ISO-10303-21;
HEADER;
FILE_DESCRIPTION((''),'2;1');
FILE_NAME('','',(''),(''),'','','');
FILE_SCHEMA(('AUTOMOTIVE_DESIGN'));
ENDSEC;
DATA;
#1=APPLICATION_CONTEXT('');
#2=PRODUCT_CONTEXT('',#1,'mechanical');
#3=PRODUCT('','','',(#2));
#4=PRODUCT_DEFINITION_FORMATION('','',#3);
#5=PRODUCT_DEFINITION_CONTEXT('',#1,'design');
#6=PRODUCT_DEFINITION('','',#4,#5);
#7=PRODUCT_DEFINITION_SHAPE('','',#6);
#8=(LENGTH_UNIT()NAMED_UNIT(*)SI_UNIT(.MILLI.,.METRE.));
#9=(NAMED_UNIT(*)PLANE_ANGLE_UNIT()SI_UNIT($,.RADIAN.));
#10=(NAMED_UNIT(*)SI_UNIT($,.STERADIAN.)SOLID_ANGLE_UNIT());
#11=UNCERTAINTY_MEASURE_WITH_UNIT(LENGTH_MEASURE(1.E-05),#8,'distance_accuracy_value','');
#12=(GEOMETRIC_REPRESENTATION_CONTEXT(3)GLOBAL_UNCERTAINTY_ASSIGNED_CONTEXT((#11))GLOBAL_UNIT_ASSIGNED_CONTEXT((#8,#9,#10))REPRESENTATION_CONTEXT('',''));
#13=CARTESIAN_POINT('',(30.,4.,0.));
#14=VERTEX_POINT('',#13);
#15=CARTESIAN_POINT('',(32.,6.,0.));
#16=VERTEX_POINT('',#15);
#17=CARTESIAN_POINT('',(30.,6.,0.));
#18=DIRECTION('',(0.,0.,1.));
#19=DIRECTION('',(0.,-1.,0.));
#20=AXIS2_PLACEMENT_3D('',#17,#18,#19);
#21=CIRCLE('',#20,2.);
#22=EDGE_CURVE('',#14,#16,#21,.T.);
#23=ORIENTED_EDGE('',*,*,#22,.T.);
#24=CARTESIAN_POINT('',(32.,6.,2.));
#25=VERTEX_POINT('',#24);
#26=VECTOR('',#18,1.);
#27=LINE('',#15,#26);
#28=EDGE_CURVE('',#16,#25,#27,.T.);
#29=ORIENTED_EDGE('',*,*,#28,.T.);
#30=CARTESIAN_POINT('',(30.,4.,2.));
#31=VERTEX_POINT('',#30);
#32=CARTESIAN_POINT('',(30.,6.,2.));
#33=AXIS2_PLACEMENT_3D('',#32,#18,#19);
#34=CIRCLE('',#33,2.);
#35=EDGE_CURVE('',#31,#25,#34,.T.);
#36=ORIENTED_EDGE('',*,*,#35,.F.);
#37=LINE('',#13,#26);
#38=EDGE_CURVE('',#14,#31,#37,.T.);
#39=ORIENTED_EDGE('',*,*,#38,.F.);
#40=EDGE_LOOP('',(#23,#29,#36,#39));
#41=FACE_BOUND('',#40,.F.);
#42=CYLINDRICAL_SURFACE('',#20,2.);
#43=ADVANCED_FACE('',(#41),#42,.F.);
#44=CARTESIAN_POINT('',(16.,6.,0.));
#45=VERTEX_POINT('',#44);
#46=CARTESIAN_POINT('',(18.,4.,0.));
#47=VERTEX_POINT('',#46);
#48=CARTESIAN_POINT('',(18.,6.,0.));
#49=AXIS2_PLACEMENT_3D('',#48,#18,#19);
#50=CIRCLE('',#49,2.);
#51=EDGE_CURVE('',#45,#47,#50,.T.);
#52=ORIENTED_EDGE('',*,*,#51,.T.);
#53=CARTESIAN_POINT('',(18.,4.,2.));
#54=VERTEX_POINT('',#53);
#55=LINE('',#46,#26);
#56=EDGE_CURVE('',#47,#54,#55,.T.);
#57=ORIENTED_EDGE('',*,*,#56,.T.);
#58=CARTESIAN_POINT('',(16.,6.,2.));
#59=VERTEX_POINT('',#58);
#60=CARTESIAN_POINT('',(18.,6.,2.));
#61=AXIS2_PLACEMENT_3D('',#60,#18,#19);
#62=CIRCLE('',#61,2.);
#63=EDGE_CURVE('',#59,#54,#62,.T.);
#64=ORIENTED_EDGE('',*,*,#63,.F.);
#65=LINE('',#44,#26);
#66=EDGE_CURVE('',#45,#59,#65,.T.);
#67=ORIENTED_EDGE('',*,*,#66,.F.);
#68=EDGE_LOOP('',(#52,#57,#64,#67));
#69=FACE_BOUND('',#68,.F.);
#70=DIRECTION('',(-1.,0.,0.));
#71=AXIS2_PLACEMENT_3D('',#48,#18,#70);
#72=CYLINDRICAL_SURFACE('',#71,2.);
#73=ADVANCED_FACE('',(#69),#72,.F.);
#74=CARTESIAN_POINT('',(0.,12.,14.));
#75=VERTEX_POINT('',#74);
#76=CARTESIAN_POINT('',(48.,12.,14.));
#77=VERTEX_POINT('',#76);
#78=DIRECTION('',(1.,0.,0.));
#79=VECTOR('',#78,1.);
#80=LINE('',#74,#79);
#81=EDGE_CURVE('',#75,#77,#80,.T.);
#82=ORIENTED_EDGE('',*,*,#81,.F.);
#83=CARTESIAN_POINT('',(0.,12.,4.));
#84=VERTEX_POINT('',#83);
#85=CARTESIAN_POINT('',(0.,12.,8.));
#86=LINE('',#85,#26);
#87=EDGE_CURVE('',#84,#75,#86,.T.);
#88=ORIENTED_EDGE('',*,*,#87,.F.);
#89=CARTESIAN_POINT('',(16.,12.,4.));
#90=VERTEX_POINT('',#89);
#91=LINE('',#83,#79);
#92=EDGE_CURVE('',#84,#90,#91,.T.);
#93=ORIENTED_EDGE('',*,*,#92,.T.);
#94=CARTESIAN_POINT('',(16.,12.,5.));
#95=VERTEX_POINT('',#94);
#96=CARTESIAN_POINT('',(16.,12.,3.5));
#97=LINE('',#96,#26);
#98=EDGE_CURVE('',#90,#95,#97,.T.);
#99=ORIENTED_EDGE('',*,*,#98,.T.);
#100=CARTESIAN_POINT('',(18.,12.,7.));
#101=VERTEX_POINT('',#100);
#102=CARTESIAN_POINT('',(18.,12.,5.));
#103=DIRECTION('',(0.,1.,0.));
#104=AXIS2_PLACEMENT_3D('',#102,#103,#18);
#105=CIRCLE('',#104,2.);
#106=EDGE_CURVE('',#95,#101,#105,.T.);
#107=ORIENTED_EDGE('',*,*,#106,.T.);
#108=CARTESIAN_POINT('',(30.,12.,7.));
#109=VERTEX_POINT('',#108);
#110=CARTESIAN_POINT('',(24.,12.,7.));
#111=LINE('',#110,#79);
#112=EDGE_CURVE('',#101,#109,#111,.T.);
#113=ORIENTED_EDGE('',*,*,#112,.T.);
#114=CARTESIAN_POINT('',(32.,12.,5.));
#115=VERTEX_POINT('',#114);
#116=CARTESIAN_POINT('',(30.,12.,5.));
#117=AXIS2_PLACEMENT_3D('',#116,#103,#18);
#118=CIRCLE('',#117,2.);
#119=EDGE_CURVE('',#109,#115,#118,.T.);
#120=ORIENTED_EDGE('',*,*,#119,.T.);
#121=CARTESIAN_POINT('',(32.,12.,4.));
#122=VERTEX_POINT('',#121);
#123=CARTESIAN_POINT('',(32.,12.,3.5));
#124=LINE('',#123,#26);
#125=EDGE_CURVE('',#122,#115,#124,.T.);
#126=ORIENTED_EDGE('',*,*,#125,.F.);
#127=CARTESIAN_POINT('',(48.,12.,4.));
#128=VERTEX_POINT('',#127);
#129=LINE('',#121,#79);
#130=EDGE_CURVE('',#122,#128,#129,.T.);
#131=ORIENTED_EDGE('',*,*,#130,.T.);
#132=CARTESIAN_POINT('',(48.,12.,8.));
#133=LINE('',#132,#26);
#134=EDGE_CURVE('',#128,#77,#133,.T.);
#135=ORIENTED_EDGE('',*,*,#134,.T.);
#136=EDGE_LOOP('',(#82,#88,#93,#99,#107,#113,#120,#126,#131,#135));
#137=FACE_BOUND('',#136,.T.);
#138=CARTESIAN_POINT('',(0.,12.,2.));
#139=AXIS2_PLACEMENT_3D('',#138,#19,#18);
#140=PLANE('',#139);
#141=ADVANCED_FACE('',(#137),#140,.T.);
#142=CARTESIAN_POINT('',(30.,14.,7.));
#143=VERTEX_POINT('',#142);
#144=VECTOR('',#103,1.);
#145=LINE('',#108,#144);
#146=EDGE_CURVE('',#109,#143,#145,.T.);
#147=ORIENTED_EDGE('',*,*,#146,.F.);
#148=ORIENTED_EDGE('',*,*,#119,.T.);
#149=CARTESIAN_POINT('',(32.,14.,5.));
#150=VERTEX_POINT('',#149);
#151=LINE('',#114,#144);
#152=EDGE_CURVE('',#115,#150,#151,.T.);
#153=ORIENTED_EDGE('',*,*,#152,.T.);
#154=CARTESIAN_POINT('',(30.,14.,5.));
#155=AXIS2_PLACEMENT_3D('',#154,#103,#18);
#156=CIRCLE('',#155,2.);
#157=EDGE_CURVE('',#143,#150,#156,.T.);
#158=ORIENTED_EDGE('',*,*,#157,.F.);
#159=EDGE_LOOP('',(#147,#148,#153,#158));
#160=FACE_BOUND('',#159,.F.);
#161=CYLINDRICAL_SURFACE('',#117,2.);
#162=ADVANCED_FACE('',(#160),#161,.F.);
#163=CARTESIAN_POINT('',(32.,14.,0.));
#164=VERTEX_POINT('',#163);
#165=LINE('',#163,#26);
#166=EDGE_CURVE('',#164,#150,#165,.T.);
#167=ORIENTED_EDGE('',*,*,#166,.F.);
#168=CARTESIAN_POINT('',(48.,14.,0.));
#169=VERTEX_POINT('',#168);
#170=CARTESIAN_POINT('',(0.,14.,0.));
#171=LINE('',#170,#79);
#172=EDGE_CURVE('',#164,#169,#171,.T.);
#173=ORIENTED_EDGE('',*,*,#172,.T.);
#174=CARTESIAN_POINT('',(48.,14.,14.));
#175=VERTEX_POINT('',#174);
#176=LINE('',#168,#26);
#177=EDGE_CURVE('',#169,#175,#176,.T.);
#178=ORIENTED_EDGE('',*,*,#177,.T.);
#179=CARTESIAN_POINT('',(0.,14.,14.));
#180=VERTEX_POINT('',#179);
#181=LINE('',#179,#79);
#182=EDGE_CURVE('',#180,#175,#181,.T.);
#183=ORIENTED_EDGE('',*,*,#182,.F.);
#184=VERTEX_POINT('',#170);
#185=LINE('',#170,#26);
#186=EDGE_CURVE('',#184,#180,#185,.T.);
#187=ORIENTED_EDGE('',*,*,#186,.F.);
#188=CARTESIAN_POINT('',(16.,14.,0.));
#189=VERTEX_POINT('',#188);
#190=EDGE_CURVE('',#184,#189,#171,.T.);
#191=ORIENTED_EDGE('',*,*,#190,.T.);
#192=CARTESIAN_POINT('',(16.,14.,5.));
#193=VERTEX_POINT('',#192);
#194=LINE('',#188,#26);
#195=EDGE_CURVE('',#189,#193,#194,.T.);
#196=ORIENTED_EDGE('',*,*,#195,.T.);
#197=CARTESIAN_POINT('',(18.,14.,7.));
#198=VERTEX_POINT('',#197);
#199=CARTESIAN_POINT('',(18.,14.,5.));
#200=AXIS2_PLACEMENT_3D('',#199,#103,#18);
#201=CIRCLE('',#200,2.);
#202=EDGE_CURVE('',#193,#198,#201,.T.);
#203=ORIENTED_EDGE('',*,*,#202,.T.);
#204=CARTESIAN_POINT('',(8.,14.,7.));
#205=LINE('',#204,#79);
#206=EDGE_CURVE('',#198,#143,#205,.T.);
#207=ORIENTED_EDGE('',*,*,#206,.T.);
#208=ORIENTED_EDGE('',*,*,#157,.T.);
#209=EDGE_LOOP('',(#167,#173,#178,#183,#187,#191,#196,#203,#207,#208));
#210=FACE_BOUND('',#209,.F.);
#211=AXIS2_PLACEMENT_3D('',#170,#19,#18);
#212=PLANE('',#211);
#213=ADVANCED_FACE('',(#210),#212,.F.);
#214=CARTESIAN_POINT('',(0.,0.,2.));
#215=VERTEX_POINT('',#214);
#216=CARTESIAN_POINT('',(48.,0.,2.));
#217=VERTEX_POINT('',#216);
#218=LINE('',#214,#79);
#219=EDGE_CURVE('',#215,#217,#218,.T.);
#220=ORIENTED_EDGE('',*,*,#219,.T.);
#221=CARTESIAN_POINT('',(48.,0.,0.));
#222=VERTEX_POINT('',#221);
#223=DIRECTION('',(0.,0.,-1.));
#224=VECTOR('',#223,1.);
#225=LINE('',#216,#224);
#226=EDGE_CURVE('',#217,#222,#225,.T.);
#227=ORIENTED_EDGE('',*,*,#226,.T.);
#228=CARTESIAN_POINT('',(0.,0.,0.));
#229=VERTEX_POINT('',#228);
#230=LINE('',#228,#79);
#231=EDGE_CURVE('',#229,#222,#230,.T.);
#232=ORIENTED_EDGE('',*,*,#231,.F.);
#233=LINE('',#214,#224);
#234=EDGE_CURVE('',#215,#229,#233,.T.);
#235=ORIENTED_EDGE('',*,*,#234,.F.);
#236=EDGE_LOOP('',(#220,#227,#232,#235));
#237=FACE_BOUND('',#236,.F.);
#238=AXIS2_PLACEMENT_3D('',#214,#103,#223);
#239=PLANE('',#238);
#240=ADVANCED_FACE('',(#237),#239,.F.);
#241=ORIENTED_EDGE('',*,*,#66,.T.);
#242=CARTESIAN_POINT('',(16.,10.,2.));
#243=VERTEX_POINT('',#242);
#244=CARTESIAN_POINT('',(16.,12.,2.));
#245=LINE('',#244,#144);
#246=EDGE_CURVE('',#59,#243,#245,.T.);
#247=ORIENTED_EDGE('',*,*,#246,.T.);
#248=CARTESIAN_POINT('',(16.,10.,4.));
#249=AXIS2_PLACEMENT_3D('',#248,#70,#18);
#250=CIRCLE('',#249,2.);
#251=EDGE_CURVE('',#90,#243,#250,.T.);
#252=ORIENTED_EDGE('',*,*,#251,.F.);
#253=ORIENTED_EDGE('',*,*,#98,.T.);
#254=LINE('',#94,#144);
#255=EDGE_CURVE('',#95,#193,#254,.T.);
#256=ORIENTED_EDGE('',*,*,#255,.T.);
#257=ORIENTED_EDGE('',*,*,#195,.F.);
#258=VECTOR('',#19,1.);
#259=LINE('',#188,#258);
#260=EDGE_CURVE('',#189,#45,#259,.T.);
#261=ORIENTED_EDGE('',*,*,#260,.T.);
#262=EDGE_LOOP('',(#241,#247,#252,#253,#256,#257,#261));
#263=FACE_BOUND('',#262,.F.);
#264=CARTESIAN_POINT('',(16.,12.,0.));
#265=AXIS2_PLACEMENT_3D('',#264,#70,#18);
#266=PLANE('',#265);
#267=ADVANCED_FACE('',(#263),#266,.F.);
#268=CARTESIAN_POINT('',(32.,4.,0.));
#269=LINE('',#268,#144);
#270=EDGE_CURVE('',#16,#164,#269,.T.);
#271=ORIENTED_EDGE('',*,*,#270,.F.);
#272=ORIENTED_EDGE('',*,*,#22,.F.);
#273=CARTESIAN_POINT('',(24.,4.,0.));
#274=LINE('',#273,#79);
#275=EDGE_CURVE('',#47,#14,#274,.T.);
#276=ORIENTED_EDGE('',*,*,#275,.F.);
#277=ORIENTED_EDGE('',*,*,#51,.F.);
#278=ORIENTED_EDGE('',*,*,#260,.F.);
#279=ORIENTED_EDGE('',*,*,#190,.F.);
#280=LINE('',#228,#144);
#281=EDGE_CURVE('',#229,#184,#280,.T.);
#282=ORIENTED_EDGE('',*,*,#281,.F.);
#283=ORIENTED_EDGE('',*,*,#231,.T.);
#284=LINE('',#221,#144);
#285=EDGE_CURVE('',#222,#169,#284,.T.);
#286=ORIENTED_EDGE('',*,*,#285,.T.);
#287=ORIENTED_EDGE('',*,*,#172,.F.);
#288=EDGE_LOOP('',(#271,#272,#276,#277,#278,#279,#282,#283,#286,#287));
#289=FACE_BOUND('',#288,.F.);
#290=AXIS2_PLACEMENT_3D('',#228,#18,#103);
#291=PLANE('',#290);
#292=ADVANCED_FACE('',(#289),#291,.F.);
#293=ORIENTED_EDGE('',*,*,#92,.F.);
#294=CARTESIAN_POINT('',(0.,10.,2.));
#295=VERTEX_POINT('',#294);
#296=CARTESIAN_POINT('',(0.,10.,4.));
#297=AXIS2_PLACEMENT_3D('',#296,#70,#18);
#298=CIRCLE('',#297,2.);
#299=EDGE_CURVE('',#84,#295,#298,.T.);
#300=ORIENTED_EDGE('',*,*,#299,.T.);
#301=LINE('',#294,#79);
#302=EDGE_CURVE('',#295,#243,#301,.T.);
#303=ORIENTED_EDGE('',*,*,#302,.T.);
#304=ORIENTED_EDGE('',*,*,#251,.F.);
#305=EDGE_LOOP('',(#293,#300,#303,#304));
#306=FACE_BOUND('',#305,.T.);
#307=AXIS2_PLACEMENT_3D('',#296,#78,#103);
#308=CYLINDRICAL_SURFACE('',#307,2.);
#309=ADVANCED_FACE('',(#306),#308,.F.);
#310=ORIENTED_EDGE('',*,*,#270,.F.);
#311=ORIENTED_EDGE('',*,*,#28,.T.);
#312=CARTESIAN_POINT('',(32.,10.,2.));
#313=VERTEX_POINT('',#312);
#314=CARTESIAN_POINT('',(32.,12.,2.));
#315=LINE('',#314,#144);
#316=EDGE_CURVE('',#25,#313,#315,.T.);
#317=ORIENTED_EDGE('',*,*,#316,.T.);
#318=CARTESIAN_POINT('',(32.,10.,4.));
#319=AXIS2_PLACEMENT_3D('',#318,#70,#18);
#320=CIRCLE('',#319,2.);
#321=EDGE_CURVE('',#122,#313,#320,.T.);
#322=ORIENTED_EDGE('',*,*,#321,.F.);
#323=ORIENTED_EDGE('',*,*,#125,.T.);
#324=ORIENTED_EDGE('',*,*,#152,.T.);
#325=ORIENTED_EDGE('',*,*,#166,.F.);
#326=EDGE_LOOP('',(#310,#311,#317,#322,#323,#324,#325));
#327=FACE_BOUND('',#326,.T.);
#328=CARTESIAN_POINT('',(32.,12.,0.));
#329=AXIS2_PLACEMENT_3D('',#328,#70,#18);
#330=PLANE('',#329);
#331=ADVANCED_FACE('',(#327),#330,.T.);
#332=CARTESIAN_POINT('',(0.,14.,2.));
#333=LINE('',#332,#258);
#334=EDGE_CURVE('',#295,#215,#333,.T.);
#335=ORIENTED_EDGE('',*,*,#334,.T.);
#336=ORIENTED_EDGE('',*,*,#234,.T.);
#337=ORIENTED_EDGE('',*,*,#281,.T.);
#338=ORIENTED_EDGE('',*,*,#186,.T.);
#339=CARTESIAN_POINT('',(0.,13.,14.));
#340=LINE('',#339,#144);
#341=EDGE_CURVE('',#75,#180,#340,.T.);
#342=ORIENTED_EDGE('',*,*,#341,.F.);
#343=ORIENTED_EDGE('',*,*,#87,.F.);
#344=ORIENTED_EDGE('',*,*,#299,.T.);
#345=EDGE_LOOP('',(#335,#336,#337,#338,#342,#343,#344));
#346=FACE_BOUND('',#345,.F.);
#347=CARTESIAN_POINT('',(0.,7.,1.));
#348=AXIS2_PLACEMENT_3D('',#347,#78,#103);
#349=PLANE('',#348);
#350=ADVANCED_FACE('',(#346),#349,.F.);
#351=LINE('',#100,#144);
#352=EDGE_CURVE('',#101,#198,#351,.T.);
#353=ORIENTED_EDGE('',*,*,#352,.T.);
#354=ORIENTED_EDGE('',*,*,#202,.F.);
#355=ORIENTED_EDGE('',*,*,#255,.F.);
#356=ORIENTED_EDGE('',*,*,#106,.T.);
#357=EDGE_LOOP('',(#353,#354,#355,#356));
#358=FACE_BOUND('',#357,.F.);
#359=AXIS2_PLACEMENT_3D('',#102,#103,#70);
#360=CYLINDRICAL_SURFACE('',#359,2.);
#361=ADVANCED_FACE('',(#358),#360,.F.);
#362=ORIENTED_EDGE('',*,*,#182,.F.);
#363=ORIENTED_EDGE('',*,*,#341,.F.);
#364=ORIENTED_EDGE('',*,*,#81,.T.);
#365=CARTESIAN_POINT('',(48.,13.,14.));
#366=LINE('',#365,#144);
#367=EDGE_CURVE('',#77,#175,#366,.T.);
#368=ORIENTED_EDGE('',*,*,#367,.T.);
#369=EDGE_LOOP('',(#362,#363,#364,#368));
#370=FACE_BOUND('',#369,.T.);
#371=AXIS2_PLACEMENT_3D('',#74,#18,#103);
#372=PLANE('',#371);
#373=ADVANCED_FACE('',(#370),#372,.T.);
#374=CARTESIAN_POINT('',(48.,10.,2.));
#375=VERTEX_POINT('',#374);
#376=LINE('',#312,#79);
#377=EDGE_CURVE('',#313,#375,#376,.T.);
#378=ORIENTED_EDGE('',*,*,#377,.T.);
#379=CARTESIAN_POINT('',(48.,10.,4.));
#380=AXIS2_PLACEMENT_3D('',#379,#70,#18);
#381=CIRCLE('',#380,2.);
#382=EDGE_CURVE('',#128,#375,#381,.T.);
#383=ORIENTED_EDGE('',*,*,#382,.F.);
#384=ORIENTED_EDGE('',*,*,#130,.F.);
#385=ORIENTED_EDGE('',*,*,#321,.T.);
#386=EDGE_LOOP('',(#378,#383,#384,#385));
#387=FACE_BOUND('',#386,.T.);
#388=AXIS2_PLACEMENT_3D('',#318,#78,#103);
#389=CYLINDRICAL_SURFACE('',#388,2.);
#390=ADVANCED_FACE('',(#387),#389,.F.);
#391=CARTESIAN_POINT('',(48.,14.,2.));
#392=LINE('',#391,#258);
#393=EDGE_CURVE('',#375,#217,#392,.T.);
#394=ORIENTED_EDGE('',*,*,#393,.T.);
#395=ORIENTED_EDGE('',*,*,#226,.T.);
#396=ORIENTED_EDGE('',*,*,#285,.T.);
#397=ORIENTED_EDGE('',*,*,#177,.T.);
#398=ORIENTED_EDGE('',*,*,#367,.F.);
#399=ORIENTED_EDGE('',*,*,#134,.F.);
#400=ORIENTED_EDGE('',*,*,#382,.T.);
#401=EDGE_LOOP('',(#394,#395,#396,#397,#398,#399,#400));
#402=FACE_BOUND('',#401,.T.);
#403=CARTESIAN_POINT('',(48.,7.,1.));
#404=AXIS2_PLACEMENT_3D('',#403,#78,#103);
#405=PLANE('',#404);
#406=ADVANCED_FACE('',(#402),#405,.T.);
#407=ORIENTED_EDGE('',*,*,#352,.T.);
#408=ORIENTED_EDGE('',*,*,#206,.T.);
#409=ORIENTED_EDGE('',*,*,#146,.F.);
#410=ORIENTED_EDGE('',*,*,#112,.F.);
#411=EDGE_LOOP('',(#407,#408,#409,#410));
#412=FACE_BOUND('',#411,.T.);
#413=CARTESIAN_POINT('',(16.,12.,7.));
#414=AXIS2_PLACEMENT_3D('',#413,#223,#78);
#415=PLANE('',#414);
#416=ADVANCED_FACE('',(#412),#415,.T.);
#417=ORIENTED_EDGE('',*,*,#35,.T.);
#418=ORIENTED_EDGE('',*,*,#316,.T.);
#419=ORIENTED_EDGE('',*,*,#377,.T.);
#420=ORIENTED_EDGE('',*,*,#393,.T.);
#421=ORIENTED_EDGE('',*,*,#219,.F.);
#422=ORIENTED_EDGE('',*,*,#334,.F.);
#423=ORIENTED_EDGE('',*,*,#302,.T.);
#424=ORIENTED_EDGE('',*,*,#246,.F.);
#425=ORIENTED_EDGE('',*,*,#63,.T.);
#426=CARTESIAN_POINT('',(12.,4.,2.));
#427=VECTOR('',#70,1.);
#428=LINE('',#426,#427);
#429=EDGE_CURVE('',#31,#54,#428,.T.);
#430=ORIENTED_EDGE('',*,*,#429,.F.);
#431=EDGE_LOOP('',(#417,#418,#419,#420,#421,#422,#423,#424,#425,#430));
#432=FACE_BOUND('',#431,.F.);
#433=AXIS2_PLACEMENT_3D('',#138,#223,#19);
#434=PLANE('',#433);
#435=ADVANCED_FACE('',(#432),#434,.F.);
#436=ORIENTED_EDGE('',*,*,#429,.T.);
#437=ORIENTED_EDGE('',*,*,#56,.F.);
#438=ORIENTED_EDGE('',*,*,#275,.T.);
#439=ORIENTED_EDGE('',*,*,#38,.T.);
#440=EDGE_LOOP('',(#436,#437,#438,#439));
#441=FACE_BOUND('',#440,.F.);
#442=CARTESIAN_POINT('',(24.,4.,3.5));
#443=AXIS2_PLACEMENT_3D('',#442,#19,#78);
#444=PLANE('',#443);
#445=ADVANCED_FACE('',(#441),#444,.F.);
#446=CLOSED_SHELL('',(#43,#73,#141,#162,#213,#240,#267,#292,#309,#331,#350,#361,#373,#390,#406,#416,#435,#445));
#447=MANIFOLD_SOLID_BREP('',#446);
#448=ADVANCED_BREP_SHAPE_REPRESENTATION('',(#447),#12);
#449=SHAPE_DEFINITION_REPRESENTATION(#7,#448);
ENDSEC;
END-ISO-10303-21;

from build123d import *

# Parameters (mm, degrees)
F0_W          = 2
F0_H          = 12
F1_DEPTH      = 48
F2_W          = 16
F2_H          = 7
F3_DEPTH      = 2.001
F3_DEPTH_BACK = 8
F4_R          = 2


with BuildPart() as f1:
    # F0 (on Right) → F1 (new body)
    with BuildSketch(Plane.YZ):
        Polygon((0, 2), (0, 0), (14, 0), (14, 2), (12, 2), align=None)
        with Locations((13, 8)):
            Rectangle(F0_W, F0_H)
    extrude(amount=F1_DEPTH)

    # F2 (on face) → F3 (cut, two sides)
    with BuildSketch(Plane.XZ.offset(-12)) as f3_sk:
        with Locations((24, 3.5)):
            Rectangle(F2_W, F2_H)
    extrude(amount=-F3_DEPTH, mode=Mode.SUBTRACT)
    extrude(f3_sk.sketch, amount=F3_DEPTH_BACK, mode=Mode.SUBTRACT)

    # F4
    f4_edges = [f1.edges().sort_by_distance(p)[0] for p in [
        (32, 4, 1),
        (16, 4, 1),
        (16, 13, 7),
        (32, 13, 7),
        (40, 12, 2),
        (8, 12, 2),
    ]]
    fillet(f4_edges, radius=F4_R)


solid = f1.part
